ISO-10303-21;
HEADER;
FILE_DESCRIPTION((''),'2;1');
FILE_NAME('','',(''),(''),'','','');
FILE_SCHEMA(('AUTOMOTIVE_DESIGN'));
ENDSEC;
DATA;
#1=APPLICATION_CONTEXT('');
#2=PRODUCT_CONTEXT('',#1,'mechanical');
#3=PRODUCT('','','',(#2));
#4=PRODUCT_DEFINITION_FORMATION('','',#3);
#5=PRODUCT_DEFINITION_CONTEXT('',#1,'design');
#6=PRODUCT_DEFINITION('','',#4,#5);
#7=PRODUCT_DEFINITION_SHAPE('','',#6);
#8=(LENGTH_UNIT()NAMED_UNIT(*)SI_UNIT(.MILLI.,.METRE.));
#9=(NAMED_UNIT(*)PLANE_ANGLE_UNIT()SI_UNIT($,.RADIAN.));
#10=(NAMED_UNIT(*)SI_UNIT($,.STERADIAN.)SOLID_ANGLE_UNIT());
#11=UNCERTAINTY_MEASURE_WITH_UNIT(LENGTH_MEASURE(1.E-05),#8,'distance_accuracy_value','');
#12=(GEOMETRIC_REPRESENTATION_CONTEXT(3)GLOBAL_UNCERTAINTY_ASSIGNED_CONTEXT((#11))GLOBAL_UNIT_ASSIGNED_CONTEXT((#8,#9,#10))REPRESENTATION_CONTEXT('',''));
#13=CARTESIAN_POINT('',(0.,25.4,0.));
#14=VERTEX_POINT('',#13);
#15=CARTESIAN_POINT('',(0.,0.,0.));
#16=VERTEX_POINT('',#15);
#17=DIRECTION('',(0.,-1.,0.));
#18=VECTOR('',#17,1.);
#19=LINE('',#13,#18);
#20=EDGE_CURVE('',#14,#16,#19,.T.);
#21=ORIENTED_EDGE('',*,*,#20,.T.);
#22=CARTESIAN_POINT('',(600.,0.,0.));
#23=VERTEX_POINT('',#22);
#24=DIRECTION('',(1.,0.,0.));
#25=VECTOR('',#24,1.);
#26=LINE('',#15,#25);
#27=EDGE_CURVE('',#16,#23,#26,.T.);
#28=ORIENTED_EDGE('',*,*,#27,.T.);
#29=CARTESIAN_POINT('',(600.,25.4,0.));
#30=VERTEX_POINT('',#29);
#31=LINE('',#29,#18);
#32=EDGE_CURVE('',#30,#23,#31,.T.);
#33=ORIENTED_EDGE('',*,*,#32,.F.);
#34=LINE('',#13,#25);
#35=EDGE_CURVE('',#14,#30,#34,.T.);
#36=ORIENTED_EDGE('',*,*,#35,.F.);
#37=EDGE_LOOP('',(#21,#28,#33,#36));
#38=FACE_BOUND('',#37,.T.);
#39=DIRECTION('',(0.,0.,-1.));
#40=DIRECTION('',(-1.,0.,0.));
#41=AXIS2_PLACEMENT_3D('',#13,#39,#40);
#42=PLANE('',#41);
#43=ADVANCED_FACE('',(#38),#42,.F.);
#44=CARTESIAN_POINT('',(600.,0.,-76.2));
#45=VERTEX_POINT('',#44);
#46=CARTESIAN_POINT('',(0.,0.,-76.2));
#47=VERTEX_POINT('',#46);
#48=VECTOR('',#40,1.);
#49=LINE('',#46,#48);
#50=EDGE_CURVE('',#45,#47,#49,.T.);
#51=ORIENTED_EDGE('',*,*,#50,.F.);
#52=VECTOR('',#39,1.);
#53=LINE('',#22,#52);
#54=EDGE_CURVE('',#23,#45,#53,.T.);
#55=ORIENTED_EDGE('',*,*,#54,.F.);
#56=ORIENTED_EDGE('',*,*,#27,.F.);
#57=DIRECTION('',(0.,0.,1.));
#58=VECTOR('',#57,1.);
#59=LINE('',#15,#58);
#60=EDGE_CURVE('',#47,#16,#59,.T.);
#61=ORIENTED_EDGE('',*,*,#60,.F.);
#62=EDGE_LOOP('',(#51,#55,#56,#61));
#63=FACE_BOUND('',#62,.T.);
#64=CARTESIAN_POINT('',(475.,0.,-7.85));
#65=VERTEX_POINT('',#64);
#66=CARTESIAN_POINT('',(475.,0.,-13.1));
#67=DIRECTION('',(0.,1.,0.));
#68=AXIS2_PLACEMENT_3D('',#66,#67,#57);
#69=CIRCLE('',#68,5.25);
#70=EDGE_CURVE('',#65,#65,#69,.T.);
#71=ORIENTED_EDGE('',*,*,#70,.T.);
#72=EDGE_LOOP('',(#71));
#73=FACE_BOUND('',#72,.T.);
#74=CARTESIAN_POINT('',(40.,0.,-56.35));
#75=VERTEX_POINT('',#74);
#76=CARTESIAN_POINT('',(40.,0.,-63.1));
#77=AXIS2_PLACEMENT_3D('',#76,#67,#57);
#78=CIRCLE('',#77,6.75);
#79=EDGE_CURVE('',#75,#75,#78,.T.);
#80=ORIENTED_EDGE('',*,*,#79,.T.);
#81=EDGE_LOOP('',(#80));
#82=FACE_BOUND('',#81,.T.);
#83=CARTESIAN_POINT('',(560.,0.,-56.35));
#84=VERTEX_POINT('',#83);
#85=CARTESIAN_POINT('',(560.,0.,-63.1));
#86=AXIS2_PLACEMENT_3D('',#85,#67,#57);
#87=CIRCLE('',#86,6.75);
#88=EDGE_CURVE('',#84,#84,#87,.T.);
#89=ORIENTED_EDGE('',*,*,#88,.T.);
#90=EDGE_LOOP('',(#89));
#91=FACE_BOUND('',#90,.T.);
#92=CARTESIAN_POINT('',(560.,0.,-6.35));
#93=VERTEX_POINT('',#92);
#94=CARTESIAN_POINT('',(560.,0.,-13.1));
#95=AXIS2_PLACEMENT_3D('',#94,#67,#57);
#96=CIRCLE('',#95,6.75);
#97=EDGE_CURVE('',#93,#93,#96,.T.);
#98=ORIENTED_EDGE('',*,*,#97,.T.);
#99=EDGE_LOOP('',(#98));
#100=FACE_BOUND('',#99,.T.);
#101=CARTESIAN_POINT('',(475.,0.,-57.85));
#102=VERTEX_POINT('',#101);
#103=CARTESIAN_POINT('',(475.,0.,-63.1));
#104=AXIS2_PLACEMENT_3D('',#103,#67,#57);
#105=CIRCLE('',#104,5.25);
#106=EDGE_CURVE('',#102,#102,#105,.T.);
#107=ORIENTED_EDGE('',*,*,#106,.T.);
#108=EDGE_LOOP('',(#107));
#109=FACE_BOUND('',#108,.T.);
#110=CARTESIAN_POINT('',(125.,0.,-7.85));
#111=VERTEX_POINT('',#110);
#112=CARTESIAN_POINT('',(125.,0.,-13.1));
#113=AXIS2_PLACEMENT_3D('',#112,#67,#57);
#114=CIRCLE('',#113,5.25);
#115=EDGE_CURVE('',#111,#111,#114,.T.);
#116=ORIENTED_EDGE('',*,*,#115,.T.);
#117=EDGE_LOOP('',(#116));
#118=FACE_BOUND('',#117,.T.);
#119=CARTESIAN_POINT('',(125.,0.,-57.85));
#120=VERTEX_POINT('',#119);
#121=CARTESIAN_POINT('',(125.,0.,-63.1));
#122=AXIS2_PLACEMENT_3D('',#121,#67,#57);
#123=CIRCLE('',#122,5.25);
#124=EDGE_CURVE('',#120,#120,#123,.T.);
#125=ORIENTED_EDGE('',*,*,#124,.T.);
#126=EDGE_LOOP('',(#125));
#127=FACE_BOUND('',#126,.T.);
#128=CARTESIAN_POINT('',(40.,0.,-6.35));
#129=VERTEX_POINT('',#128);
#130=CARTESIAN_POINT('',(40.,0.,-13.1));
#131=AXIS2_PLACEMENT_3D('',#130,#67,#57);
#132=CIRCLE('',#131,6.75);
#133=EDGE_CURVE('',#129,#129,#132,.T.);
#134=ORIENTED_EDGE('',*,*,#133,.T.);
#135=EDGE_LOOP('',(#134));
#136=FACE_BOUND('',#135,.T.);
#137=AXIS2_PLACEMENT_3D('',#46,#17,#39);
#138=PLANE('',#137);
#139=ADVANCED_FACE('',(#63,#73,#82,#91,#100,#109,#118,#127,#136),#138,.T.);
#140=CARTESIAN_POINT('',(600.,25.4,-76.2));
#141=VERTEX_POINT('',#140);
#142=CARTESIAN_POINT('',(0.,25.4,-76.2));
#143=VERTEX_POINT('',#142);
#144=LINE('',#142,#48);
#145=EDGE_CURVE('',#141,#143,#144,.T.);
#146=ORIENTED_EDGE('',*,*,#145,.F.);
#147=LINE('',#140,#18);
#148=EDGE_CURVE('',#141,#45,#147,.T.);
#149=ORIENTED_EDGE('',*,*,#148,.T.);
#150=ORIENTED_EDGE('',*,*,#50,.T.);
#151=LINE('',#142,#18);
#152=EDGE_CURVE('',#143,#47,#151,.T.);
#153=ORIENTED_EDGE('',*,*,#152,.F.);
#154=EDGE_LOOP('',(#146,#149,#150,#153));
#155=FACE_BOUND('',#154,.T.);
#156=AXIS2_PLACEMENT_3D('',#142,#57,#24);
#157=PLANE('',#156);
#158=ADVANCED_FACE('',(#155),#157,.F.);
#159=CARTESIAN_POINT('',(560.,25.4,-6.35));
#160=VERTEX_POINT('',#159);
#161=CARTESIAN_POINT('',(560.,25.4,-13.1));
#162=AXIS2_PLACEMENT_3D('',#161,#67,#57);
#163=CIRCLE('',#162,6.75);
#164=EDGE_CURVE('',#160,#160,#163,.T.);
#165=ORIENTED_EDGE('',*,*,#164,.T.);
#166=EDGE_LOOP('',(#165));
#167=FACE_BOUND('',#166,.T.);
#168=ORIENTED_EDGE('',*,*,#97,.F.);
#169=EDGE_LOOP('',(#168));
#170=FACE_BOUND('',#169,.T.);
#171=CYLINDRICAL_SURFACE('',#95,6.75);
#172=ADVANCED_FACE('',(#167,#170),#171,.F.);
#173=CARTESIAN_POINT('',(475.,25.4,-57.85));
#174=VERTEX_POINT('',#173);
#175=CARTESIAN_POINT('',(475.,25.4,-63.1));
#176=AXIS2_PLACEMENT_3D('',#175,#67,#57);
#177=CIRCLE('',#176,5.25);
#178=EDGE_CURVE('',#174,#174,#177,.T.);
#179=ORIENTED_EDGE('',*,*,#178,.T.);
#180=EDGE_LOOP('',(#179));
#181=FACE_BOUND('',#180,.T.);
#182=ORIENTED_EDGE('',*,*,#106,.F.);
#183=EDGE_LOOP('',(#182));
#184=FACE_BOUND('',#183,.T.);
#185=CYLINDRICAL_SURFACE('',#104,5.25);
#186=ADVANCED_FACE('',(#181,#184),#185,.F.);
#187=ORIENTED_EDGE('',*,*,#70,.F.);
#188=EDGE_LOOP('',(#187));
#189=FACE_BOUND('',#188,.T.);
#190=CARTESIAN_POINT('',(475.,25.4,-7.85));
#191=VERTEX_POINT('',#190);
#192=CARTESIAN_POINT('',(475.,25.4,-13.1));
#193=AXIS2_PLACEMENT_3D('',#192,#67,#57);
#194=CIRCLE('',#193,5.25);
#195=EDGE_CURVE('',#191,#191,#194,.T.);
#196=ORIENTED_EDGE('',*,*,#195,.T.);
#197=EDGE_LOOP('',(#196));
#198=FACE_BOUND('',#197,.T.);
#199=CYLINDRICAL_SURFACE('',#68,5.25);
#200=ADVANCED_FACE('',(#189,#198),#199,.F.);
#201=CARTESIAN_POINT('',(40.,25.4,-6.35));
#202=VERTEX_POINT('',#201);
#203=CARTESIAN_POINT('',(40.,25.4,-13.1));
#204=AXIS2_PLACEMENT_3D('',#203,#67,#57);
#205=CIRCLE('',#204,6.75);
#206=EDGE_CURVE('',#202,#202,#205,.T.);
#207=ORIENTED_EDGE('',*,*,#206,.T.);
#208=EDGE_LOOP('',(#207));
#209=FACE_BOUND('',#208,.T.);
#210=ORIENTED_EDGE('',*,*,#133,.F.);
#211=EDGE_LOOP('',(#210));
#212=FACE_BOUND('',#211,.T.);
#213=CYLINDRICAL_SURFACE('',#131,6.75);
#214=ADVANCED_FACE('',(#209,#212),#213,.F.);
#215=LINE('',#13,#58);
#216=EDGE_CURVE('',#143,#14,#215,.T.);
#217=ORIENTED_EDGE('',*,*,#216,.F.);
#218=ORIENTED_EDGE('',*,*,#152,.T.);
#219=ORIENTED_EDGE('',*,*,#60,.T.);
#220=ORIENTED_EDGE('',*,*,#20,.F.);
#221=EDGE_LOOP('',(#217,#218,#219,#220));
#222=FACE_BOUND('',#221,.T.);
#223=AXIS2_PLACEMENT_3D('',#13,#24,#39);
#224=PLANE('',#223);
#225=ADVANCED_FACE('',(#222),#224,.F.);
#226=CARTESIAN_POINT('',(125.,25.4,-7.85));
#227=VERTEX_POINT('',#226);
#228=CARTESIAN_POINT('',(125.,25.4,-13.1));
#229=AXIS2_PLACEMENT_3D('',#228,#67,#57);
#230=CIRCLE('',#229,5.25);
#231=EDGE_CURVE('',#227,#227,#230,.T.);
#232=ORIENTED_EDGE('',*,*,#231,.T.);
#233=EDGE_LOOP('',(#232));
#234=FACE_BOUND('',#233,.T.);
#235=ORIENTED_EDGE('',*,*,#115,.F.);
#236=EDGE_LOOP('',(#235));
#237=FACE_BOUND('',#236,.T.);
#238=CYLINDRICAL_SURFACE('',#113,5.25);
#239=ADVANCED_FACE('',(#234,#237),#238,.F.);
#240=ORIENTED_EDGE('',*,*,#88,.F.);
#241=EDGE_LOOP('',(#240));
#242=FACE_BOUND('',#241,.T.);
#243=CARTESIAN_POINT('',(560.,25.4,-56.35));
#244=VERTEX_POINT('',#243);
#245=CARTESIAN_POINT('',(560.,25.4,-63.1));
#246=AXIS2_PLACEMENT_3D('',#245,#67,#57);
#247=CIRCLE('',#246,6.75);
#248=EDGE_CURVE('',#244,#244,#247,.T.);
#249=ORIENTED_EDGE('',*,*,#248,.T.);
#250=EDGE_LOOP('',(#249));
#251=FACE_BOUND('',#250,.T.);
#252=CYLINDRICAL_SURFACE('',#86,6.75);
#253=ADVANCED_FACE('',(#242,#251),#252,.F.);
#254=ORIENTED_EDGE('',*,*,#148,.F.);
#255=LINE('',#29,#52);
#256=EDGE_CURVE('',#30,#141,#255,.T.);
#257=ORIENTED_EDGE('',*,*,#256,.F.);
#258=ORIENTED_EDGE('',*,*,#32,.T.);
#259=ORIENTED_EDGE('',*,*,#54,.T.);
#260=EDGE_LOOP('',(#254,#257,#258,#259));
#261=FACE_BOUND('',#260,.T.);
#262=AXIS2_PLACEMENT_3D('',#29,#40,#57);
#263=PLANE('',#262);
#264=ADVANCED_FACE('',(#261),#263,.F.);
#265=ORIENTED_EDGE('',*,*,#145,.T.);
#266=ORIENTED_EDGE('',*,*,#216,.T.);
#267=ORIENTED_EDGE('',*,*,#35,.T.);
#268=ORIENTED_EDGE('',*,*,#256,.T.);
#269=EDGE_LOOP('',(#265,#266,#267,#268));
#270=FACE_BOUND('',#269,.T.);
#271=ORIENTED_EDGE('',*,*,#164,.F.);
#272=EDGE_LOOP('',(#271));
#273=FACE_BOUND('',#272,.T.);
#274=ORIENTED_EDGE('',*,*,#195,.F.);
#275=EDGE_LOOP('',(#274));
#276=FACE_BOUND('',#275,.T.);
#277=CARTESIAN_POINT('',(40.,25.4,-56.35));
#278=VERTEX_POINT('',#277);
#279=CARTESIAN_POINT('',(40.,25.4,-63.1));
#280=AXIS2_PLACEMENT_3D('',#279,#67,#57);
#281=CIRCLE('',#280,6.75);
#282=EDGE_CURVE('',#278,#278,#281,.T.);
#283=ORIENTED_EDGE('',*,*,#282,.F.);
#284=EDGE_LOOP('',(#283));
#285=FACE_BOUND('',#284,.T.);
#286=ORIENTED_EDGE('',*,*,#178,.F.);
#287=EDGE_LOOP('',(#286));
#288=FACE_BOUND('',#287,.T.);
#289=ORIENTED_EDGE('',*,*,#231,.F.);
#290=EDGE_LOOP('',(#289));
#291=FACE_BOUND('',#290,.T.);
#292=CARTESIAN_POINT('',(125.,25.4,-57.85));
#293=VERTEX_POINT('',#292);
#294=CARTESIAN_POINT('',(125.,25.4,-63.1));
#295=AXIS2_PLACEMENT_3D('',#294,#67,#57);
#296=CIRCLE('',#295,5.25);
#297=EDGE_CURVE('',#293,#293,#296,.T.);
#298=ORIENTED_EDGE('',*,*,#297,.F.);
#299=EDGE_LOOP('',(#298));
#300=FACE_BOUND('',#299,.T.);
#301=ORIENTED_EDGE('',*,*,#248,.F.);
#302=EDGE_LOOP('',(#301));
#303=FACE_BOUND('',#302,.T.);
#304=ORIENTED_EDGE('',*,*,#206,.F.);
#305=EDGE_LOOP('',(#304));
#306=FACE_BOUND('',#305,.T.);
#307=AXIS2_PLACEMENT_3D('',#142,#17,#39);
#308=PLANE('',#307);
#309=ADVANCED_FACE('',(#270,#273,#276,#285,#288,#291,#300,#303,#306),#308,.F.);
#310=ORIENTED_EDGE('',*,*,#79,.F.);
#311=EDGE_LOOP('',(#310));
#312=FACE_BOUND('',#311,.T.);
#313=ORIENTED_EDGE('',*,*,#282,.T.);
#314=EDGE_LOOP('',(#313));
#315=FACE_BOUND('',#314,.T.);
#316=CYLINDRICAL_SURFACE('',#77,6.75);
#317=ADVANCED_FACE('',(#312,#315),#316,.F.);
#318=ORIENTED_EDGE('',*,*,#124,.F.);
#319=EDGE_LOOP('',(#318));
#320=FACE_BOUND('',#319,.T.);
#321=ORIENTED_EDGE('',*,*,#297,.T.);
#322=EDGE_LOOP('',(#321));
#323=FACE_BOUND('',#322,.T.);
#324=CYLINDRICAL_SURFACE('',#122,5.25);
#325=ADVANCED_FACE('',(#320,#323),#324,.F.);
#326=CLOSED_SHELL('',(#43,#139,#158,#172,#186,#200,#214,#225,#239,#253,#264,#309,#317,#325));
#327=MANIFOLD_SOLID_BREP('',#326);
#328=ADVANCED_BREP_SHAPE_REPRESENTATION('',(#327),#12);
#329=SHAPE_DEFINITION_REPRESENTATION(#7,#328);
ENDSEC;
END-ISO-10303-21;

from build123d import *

# Parameters (mm, degrees)
SKETCH1_W           = 600
SKETCH1_H           = 76.2
BOSS_EXTRUDE1_DEPTH = 25.4
SKETCH2_R           = 6.75
CUT_EXTRUDE1_DEPTH  = 25.4
SKETCH3_R           = 5.25
CUT_EXTRUDE2_DEPTH  = 25.4


with BuildPart() as part:
    # Sketch1 → Boss-Extrude1 (new body)
    with BuildSketch(Plane(origin=(0, 0, 0), x_dir=(1, 0, 0), z_dir=(0, 1, 0))):
        with Locations((300, 38.1)):
            Rectangle(SKETCH1_W, SKETCH1_H)
    extrude(amount=BOSS_EXTRUDE1_DEPTH)

    # Sketch2 → Cut-Extrude1 (cut)
    with BuildSketch(Plane(origin=(0, 25.4, 0), x_dir=(1, 0, 0), z_dir=(0, 1, 0))):
        with Locations((40, 63.1)):
            Circle(SKETCH2_R)
        with Locations((40, 13.1)):
            Circle(SKETCH2_R)
        with Locations((560, 13.1)):
            Circle(SKETCH2_R)
        with Locations((560, 63.1)):
            Circle(SKETCH2_R)
    extrude(amount=-CUT_EXTRUDE1_DEPTH, mode=Mode.SUBTRACT)

    # Sketch3 → Cut-Extrude2 (cut)
    with BuildSketch(Plane(origin=(0, 25.4, 0), x_dir=(1, 0, 0), z_dir=(0, 1, 0))):
        with Locations((125, 63.1)):
            Circle(SKETCH3_R)
        with Locations((125, 13.1)):
            Circle(SKETCH3_R)
        with Locations((475, 13.1)):
            Circle(SKETCH3_R)
        with Locations((475, 63.1)):
            Circle(SKETCH3_R)
    extrude(amount=-CUT_EXTRUDE2_DEPTH, mode=Mode.SUBTRACT)


solid = part.part
